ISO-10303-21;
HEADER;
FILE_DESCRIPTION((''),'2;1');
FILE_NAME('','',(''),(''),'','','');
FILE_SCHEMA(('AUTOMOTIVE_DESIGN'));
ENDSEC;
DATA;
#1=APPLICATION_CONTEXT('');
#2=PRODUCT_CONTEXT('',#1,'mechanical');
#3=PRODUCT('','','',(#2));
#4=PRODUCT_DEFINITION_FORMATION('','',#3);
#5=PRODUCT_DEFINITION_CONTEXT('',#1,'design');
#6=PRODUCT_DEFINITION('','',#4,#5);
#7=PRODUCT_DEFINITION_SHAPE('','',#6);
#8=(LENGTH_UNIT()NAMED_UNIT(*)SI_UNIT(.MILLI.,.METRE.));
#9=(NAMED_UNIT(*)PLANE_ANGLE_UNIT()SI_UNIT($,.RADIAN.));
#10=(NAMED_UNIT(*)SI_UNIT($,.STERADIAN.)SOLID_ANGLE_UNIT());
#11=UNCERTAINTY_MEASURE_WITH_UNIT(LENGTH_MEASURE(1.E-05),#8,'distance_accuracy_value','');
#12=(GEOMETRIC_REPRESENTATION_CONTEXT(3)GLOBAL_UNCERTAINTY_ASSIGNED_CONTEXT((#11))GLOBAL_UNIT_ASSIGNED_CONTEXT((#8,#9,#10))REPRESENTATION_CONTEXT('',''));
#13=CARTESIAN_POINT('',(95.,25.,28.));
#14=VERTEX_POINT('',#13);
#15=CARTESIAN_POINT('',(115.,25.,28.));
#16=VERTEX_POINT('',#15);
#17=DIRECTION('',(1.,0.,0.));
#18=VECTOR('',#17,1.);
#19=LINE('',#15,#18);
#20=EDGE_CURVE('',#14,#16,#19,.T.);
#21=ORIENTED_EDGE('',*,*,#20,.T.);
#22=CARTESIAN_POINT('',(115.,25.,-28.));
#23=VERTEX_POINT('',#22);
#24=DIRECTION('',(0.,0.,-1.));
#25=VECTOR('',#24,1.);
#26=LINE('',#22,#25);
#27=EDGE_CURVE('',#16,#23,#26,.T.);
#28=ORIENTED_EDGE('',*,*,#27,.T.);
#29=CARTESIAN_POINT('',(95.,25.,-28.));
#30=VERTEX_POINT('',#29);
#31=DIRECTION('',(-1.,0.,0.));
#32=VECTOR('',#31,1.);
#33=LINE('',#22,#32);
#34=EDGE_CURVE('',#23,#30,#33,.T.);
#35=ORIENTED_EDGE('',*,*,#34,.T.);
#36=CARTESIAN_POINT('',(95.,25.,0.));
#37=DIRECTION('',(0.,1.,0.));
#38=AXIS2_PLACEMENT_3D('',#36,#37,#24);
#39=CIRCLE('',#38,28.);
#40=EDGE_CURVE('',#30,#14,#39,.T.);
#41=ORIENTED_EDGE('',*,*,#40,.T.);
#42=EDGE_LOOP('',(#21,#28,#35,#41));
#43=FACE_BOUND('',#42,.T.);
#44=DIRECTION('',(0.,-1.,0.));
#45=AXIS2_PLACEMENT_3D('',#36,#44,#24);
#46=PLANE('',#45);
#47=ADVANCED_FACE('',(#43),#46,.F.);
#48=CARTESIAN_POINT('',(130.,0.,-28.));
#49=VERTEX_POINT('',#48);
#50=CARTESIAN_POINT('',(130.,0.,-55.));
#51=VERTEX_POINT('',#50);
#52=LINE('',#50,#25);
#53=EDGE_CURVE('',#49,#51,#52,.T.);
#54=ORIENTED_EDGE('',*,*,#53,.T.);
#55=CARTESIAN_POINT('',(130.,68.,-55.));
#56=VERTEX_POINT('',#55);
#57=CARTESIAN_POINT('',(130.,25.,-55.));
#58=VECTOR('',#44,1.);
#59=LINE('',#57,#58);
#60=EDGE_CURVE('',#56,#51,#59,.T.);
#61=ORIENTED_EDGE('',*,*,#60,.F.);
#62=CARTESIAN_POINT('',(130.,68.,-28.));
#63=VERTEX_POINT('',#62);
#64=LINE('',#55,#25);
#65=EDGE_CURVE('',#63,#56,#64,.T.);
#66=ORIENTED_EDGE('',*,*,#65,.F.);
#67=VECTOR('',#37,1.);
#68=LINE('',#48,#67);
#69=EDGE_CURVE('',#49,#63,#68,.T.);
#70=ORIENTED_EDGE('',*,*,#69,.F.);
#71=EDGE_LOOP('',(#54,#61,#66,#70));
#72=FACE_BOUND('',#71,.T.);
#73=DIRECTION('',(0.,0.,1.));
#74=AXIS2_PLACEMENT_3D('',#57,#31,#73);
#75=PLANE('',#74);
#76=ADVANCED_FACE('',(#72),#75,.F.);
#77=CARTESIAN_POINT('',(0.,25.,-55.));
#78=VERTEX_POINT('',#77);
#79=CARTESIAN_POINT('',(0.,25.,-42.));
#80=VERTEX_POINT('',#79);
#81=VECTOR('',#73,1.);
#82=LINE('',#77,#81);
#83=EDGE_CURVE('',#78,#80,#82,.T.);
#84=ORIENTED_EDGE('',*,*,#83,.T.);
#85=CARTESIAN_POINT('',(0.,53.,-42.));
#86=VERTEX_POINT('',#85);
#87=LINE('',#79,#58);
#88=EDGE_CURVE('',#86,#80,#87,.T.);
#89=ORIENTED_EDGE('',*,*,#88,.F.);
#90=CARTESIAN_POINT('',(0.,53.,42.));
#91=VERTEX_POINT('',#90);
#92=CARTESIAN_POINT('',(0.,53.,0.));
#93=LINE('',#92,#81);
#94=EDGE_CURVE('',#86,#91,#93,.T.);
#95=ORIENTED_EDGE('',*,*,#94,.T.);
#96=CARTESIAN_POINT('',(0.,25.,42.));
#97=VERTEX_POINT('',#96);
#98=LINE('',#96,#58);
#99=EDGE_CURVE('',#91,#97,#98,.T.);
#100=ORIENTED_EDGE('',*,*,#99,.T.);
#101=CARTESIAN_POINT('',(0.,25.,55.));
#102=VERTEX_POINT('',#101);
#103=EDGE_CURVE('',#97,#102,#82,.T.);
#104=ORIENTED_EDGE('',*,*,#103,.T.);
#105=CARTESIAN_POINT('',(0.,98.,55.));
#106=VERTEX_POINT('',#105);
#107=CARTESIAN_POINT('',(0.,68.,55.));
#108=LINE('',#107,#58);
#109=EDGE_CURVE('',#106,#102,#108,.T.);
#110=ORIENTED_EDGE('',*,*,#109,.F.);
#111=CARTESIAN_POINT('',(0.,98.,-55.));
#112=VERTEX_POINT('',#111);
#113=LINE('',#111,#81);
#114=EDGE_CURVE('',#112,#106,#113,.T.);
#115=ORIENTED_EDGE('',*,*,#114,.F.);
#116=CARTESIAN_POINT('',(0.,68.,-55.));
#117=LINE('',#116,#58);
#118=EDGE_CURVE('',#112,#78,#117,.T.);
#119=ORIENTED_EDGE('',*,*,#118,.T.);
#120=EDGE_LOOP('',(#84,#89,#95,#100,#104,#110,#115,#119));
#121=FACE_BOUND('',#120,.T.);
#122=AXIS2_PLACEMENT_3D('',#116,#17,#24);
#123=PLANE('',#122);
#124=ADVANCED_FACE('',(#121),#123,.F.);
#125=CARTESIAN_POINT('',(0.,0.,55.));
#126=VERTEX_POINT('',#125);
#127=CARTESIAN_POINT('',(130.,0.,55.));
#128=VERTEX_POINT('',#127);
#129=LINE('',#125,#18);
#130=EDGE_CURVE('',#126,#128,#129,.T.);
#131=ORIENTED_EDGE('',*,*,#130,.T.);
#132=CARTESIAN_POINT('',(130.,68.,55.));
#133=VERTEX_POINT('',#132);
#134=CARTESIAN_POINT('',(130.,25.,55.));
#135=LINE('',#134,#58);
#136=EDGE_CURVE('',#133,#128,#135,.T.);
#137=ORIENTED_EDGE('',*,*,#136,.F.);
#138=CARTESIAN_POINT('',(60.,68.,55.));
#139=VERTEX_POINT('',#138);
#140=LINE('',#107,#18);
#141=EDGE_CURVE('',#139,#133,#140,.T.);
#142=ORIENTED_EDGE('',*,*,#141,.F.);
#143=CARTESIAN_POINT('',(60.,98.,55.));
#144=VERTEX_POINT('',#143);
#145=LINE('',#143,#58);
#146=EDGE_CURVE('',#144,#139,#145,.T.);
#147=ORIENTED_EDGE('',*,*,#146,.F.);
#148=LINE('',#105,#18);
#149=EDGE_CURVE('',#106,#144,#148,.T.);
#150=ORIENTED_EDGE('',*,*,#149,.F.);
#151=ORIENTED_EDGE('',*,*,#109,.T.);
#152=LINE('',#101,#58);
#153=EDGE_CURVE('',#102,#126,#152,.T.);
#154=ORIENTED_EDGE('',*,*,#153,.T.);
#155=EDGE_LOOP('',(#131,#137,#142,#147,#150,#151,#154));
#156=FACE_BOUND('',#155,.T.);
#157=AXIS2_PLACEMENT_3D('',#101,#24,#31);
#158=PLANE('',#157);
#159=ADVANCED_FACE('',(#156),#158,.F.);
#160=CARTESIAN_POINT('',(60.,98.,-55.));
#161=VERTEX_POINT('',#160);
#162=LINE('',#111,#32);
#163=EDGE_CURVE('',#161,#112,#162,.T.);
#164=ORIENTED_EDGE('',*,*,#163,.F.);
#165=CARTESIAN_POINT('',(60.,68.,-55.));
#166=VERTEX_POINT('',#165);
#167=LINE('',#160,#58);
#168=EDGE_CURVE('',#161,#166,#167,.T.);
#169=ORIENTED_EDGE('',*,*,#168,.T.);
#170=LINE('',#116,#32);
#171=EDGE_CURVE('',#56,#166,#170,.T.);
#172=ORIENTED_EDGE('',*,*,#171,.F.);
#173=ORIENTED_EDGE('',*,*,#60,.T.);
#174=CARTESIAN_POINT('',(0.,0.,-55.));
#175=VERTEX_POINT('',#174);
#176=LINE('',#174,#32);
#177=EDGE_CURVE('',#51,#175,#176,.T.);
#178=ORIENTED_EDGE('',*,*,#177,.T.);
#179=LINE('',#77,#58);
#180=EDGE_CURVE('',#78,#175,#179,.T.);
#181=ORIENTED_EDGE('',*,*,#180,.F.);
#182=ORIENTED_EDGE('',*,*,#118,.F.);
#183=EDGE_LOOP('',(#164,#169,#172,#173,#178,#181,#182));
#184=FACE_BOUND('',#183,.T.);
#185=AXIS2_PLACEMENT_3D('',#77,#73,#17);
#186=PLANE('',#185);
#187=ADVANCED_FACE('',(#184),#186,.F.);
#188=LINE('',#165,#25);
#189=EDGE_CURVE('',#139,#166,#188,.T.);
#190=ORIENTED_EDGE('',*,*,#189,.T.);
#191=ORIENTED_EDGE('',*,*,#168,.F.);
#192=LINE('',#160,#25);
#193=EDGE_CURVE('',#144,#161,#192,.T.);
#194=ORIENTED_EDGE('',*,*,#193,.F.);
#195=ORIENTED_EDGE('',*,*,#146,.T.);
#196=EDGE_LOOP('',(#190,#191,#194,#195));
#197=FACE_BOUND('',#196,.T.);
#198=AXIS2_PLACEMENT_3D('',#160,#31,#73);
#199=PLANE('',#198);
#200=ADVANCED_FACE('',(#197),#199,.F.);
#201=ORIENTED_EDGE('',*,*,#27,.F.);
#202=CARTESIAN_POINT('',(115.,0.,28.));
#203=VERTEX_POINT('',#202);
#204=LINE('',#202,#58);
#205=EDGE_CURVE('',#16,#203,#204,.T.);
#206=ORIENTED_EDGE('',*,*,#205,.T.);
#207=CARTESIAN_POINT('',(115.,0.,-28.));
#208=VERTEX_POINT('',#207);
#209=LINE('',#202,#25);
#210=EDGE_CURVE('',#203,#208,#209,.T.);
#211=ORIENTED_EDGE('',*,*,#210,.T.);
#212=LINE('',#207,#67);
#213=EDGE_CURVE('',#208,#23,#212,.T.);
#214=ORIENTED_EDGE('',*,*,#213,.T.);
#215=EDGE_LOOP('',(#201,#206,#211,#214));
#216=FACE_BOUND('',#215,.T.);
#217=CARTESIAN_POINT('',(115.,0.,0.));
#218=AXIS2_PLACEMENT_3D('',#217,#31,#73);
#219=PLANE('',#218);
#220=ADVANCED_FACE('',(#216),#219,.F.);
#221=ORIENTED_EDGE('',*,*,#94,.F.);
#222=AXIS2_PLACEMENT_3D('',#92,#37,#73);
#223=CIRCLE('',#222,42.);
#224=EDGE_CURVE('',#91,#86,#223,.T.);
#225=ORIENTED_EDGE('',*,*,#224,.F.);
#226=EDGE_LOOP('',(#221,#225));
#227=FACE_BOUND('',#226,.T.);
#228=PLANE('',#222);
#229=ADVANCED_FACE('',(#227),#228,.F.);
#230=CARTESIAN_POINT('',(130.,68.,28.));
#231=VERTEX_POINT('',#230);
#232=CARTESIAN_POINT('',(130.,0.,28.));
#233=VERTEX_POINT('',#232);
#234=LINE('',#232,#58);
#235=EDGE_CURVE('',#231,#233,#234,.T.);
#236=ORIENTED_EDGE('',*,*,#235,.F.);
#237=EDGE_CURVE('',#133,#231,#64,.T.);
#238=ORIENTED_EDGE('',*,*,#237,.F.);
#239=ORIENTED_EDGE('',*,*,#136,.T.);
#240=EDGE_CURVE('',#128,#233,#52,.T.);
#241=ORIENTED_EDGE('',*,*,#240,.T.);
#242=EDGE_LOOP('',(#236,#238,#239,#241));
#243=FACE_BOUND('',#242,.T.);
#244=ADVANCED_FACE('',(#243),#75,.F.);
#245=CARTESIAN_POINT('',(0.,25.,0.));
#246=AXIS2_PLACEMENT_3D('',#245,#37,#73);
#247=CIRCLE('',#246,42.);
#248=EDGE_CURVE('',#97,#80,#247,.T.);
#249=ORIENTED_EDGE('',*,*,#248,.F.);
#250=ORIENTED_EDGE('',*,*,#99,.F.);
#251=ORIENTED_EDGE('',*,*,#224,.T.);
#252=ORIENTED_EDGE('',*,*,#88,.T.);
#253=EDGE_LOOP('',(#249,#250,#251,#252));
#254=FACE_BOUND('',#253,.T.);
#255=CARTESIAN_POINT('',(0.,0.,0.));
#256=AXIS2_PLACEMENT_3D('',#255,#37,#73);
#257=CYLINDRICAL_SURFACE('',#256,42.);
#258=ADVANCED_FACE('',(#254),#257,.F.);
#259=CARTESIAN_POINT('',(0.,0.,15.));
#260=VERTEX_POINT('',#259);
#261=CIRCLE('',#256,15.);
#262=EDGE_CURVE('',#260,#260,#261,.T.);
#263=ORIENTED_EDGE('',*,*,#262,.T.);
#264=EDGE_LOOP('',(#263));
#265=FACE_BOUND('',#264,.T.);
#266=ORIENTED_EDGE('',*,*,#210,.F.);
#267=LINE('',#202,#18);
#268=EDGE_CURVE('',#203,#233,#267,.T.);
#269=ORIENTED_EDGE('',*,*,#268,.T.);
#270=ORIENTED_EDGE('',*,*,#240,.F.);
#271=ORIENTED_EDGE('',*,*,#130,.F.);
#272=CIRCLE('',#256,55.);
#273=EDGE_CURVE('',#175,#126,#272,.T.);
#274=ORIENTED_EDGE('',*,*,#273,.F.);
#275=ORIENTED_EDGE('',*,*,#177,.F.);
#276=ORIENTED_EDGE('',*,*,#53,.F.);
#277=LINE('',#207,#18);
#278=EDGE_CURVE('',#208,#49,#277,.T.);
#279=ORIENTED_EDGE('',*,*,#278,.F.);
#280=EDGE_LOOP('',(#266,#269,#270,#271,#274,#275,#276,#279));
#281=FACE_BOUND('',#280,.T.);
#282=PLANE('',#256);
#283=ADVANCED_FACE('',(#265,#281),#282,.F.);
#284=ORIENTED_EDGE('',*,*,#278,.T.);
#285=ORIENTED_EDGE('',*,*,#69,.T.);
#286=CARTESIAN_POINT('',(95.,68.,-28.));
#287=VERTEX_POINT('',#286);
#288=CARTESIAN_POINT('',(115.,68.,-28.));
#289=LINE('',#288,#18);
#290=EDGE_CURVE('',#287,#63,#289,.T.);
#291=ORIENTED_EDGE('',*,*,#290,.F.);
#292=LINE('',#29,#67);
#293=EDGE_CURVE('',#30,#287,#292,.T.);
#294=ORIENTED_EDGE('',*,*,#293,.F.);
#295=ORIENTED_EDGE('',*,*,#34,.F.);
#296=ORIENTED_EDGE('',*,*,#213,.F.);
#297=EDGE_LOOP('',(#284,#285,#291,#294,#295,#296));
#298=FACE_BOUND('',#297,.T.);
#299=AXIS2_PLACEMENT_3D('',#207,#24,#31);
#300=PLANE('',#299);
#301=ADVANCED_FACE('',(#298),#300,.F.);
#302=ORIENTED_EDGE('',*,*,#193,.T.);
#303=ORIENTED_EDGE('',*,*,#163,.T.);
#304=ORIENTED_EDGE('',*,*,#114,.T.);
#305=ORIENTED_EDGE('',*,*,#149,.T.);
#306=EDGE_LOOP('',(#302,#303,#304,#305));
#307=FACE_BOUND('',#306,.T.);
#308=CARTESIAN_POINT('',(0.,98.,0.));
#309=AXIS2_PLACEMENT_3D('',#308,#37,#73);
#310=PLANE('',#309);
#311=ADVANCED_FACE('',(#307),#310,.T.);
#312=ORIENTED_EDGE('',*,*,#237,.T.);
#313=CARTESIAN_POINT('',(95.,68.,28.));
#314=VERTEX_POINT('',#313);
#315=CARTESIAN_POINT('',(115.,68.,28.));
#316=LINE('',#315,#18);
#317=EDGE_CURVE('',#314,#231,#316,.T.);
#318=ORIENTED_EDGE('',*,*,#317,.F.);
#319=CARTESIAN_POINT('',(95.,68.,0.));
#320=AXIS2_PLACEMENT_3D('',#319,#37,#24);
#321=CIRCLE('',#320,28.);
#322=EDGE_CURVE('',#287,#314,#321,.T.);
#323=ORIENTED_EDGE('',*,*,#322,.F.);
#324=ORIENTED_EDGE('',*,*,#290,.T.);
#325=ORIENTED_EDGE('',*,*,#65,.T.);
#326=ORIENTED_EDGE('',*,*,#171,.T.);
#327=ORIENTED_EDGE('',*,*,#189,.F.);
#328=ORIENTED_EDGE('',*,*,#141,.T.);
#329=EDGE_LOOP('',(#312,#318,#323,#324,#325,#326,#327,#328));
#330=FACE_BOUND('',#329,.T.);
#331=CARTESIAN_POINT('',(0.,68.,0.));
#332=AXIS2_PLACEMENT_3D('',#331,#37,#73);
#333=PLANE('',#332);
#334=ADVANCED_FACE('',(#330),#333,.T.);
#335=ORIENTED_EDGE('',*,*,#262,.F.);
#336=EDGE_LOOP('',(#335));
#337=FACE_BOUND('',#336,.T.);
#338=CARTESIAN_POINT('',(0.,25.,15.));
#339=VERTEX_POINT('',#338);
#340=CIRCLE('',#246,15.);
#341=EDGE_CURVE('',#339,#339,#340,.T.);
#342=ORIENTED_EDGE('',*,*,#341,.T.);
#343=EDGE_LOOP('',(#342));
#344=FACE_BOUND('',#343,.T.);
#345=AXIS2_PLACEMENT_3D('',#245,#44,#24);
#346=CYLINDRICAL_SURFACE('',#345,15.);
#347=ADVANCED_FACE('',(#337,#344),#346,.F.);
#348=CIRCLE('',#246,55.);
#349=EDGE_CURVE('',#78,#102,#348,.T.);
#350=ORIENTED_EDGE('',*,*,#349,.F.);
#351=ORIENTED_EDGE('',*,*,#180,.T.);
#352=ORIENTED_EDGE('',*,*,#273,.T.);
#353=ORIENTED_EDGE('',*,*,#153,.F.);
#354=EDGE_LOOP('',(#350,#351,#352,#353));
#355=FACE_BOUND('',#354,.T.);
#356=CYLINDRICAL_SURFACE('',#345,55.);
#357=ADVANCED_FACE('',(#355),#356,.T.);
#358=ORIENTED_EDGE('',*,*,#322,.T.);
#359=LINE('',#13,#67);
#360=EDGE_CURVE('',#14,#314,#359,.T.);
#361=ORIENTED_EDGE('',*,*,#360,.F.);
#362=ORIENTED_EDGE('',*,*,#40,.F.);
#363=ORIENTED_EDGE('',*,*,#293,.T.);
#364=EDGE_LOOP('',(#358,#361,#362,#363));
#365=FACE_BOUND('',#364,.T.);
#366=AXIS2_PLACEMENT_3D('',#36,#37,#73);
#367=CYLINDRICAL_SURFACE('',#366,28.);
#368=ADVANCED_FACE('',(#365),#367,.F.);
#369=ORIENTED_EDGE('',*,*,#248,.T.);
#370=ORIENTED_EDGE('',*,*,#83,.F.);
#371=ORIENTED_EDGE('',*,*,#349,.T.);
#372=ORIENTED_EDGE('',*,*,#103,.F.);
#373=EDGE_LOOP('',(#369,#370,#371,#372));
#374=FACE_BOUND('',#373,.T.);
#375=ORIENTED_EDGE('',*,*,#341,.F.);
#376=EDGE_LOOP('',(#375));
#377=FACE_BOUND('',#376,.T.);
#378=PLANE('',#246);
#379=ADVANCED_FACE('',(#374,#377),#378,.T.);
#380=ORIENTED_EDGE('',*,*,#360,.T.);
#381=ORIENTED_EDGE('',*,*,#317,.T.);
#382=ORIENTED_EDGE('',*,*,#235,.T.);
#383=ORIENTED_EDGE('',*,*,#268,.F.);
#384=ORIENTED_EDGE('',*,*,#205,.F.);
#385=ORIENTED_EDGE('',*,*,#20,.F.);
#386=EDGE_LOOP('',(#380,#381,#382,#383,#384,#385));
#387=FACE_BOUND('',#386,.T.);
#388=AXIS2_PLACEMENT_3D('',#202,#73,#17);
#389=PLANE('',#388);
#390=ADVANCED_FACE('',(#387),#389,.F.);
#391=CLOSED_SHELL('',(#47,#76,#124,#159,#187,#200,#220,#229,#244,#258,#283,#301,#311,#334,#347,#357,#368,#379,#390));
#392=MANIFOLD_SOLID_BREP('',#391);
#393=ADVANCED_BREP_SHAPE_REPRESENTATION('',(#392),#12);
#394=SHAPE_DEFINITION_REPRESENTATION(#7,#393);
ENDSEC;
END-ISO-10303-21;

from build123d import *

# Parameters (mm, degrees)
SKETCH1_R           = 15
BOSS_EXTRUDE1_DEPTH = 25
SKETCH3_W           = 130
SKETCH3_H           = 110
BOSS_EXTRUDE2_DEPTH = 43
SKETCH4_W           = 60
SKETCH4_H           = 110
BOSS_EXTRUDE3_DEPTH = 30
SKETCH5_W           = 42
SKETCH5_H           = 28
CUT_REVOLVE1_ANGLE  = 180
SKETCH6_W           = 56
SKETCH6_H           = 68
CUT_EXTRUDE1_DEPTH  = 15
CUT_EXTRUDE2_DEPTH  = 43


with BuildPart() as part:
    # Sketch1 → Boss-Extrude1 (new body)
    with BuildSketch(Plane(origin=(0, 0, 0), x_dir=(1, 0, 0), z_dir=(0, 1, 0))):
        with BuildLine():
            Line((0, 55), (130, 55))
            Line((130, 55), (130, -55))
            Line((130, -55), (0, -55))
            ThreePointArc((0, -55), (-55, 0), (0, 55))
        make_face()
        Circle(SKETCH1_R, mode=Mode.SUBTRACT)
    extrude(amount=BOSS_EXTRUDE1_DEPTH)

    # Sketch3 → Boss-Extrude2 (add)
    with BuildSketch(Plane(origin=(0, 25, 0), x_dir=(1, 0, 0), z_dir=(0, 1, 0))):
        with Locations((65, 0)):
            Rectangle(SKETCH3_W, SKETCH3_H)
    extrude(amount=BOSS_EXTRUDE2_DEPTH)

    # Sketch4 → Boss-Extrude3 (add)
    with BuildSketch(Plane(origin=(0, 68, 0), x_dir=(1, 0, 0), z_dir=(0, 1, 0))):
        with Locations((30, 0)):
            Rectangle(SKETCH4_W, SKETCH4_H)
    extrude(amount=BOSS_EXTRUDE3_DEPTH)

    # Sketch5 → Cut-Revolve1 (revolve, cut)
    with BuildSketch(Plane.ZY):
        with Locations((-21, 39)):
            Rectangle(SKETCH5_W, SKETCH5_H)
    revolve(axis=Axis((0, 0, 0), (0, -1, 0)), revolution_arc=CUT_REVOLVE1_ANGLE, mode=Mode.SUBTRACT)

    # Sketch6 → Cut-Extrude1 (cut)
    with BuildSketch(Plane(origin=(130, 0, 0), x_dir=(0, 0, -1), z_dir=(1, 0, 0))):
        with Locations((0, 34)):
            Rectangle(SKETCH6_W, SKETCH6_H)
    extrude(amount=-CUT_EXTRUDE1_DEPTH, mode=Mode.SUBTRACT)

    # Sketch7 → Cut-Extrude2 (cut)
    with BuildSketch(Plane(origin=(0, 68, 0), x_dir=(1, 0, 0), z_dir=(0, 1, 0))):
        with BuildLine():
            Line((115, 28), (95, 28))
            ThreePointArc((95, 28), (67, 0), (95, -28))
            Line((95, -28), (115, -28))
            Line((115, -28), (115, 28))
        make_face()
    extrude(amount=-CUT_EXTRUDE2_DEPTH, mode=Mode.SUBTRACT)


solid = part.part
